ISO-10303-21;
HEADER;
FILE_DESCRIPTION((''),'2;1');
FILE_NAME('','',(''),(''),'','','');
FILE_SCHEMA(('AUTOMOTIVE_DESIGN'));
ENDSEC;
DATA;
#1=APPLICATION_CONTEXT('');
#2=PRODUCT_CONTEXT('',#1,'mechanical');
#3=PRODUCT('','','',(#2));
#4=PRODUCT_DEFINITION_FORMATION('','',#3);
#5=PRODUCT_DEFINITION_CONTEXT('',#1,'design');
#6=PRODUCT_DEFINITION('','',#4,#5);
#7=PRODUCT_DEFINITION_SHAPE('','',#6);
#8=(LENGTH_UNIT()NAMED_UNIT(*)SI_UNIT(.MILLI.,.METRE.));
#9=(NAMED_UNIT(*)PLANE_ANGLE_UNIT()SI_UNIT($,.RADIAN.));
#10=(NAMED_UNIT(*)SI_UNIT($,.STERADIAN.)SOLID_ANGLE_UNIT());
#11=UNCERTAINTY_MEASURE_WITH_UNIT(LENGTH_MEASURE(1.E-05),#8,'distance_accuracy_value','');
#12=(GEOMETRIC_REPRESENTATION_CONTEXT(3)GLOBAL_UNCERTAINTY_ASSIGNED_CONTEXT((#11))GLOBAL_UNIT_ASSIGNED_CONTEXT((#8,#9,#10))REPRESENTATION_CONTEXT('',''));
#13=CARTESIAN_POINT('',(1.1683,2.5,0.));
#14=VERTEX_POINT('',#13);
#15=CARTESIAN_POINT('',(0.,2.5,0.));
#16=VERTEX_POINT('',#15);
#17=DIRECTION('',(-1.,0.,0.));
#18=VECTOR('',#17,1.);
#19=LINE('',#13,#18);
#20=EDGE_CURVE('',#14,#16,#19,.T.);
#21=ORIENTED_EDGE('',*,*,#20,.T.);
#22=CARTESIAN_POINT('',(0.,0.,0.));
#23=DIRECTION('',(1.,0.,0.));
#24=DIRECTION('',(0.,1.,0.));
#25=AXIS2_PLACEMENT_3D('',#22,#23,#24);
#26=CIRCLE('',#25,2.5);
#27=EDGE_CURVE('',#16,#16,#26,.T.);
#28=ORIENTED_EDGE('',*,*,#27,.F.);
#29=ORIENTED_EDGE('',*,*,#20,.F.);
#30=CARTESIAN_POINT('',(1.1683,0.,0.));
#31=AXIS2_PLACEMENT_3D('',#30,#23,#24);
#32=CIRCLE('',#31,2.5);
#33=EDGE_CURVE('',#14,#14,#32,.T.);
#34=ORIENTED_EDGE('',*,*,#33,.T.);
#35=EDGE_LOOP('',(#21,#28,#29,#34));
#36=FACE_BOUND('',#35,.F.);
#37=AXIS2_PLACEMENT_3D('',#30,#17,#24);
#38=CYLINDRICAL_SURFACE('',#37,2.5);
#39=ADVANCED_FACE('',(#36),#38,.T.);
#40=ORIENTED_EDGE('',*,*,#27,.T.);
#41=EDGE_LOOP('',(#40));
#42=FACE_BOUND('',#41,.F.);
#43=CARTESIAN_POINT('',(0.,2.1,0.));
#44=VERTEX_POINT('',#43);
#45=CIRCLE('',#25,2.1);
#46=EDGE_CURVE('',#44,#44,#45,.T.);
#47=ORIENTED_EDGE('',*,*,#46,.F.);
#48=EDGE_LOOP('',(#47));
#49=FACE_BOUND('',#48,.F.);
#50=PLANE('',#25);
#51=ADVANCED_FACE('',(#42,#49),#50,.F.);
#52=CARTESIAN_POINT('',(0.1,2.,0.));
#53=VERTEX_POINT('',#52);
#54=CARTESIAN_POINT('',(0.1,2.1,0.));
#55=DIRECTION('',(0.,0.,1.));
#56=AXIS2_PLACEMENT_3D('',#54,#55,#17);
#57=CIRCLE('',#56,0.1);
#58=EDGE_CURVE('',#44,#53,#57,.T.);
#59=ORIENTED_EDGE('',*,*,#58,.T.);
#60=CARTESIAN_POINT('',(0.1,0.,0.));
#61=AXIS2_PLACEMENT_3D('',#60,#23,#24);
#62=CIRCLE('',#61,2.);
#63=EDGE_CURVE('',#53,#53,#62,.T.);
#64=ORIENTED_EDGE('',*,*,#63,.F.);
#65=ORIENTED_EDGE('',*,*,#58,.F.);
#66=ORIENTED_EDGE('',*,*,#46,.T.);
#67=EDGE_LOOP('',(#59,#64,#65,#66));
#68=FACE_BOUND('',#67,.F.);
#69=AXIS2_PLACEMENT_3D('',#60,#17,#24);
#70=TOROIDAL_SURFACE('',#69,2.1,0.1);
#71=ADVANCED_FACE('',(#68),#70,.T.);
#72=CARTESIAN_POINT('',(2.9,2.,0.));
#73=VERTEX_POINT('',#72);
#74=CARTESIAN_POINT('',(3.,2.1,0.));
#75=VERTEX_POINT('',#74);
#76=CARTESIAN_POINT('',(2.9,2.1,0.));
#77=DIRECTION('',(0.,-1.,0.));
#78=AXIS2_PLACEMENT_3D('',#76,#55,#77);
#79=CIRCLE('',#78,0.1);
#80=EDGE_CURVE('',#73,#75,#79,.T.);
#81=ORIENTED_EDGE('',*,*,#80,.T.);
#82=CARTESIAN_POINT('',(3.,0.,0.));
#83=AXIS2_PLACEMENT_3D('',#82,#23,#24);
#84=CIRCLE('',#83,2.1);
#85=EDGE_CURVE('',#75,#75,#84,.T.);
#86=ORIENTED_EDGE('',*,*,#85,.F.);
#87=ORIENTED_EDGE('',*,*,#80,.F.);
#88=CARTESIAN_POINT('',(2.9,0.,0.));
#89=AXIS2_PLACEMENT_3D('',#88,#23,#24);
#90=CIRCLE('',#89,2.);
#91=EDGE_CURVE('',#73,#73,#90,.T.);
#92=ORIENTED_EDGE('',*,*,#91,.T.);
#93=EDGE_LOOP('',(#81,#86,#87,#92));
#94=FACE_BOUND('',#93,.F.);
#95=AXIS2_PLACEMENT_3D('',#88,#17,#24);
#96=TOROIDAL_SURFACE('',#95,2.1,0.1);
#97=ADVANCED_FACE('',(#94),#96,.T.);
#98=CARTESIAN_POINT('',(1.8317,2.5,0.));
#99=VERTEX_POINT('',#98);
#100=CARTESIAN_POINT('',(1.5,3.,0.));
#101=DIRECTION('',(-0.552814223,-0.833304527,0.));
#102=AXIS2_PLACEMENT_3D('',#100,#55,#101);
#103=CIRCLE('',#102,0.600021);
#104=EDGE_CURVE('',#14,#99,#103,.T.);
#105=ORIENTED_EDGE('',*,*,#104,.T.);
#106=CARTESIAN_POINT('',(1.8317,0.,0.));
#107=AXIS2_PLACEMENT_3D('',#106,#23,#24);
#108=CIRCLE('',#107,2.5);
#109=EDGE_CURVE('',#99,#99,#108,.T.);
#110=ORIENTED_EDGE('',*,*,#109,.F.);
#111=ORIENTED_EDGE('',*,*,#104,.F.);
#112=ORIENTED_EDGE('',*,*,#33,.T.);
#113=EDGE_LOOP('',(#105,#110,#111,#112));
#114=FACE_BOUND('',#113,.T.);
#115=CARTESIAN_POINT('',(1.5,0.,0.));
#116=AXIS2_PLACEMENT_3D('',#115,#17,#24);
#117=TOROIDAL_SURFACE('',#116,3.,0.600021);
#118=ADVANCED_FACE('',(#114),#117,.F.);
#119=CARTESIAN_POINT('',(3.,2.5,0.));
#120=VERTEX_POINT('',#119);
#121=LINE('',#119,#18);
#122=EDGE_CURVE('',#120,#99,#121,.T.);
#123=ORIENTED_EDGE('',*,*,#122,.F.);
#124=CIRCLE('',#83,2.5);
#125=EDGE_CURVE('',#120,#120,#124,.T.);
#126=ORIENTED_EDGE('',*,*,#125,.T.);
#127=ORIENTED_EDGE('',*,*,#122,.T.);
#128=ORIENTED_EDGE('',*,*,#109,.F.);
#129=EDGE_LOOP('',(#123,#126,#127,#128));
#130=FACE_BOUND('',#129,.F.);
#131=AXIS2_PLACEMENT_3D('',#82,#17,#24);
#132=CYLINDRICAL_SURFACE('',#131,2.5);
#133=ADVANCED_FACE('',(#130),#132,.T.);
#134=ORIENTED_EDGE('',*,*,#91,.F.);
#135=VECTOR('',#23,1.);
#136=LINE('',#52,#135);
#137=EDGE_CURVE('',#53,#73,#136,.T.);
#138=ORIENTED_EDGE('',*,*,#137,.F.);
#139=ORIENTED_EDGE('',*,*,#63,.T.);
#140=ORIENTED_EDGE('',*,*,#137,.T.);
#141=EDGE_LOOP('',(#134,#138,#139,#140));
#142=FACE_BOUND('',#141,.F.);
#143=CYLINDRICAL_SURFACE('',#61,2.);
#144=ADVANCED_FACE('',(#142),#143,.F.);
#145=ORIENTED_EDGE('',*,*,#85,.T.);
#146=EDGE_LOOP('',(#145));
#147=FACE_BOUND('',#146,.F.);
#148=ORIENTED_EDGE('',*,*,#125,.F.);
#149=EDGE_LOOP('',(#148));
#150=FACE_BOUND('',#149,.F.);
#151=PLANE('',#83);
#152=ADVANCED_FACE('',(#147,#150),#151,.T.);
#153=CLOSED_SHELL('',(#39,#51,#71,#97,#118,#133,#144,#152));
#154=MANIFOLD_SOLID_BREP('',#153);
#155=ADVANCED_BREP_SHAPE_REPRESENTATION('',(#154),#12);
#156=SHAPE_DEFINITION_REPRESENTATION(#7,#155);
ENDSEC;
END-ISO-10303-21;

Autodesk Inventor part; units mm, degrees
sketch "Sketch_1" plane through (0, 0, 0) normal (0, 0, 1) x (1, 0, 0)
  line L0 (3, 0) -> (0, 0)
  arc A0 (0, 2.1) -> (0.1, 2) centre (0.1, 2.1) ccw
  line L1 (0.1, 2) -> (2.9, 2)
  arc A1 (2.9, 2) -> (3, 2.1) centre (2.9, 2.1) ccw
  line L2 (3, 2.1) -> (3, 2.5)
  line L3 (3, 2.5) -> (1.8317, 2.5)
  arc A2 (1.1683, 2.5) -> (1.8317, 2.5) centre (1.5, 3) ccw
  line L4 (1.1683, 2.5) -> (0, 2.5)
  line L5 (0, 2.5) -> (0, 2.1)
revolve "Revolution1" add sketch "Sketch_1" angle 360 about axis through (3, 0, 0) along (1, 0, 0)
ref_plane "ip_st_1_1_XY" through (1.5, 3, 0) normal (1, 0, 0) x (0, 0, -1)
ref_plane "ip_st_1_1_YZ" through (1.5, 3, 0) normal (0, 0, -1) x (0, 1, 0)
ref_plane "ip_st_1_1_ZX" through (1.5, 3, 0) normal (0, 1, 0) x (1, 0, 0)
ref_plane "ip_st_1_10_XY" through (1.5, 0, -3) normal (1, 0, 0) x (0, 0, -1)
ref_plane "ip_st_1_10_YZ" through (1.5, 0, -3) normal (0, 0, -1) x (0, 1, 0)
ref_plane "ip_st_1_10_ZX" through (1.5, 0, -3) normal (0, 1, 0) x (1, 0, 0)
ref_plane "ip_st_1_11_XY" through (1.5, 1.5, -2.5981) normal (1, 0, 0) x (0, 0, -1)
ref_plane "ip_st_1_11_YZ" through (1.5, 1.5, -2.5981) normal (0, 0, -1) x (0, 1, 0)
ref_plane "ip_st_1_11_ZX" through (1.5, 1.5, -2.5981) normal (0, 1, 0) x (1, 0, 0)
ref_plane "ip_st_1_12_XY" through (1.5, 2.5981, -1.5) normal (1, 0, 0) x (0, 0, -1)
ref_plane "ip_st_1_12_YZ" through (1.5, 2.5981, -1.5) normal (0, 0, -1) x (0, 1, 0)
ref_plane "ip_st_1_12_ZX" through (1.5, 2.5981, -1.5) normal (0, 1, 0) x (1, 0, 0)
ref_plane "ip_st_1_2_XY" through (1.5, 2.5981, 1.5) normal (1, 0, 0) x (0, 0, -1)
ref_plane "ip_st_1_2_YZ" through (1.5, 2.5981, 1.5) normal (0, 0, -1) x (0, 1, 0)
ref_plane "ip_st_1_2_ZX" through (1.5, 2.5981, 1.5) normal (0, 1, 0) x (1, 0, 0)
ref_plane "ip_st_1_3_XY" through (1.5, 1.5, 2.5981) normal (1, 0, 0) x (0, 0, -1)
ref_plane "ip_st_1_3_YZ" through (1.5, 1.5, 2.5981) normal (0, 0, -1) x (0, 1, 0)
ref_plane "ip_st_1_3_ZX" through (1.5, 1.5, 2.5981) normal (0, 1, 0) x (1, 0, 0)
ref_plane "ip_st_1_4_XY" through (1.5, 0, 3) normal (1, 0, 0) x (0, 0, -1)
ref_plane "ip_st_1_4_YZ" through (1.5, 0, 3) normal (0, 0, -1) x (0, 1, 0)
ref_plane "ip_st_1_4_ZX" through (1.5, 0, 3) normal (0, 1, 0) x (1, 0, 0)
ref_plane "ip_st_1_5_XY" through (1.5, -1.5, 2.5981) normal (1, 0, 0) x (0, 0, -1)
ref_plane "ip_st_1_5_YZ" through (1.5, -1.5, 2.5981) normal (0, 0, -1) x (0, 1, 0)
ref_plane "ip_st_1_5_ZX" through (1.5, -1.5, 2.5981) normal (0, 1, 0) x (1, 0, 0)
ref_plane "ip_st_1_6_XY" through (1.5, -2.5981, 1.5) normal (1, 0, 0) x (0, 0, -1)
ref_plane "ip_st_1_6_YZ" through (1.5, -2.5981, 1.5) normal (0, 0, -1) x (0, 1, 0)
ref_plane "ip_st_1_6_ZX" through (1.5, -2.5981, 1.5) normal (0, 1, 0) x (1, 0, 0)
ref_plane "ip_st_1_7_XY" through (1.5, -3, 0) normal (1, 0, 0) x (0, 0, -1)
ref_plane "ip_st_1_7_YZ" through (1.5, -3, 0) normal (0, 0, -1) x (0, 1, 0)
ref_plane "ip_st_1_7_ZX" through (1.5, -3, 0) normal (0, 1, 0) x (1, 0, 0)
ref_plane "ip_st_1_8_XY" through (1.5, -2.5981, -1.5) normal (1, 0, 0) x (0, 0, -1)
ref_plane "ip_st_1_8_YZ" through (1.5, -2.5981, -1.5) normal (0, 0, -1) x (0, 1, 0)
ref_plane "ip_st_1_8_ZX" through (1.5, -2.5981, -1.5) normal (0, 1, 0) x (1, 0, 0)
ref_plane "ip_st_1_9_XY" through (1.5, -1.5, -2.5981) normal (1, 0, 0) x (0, 0, -1)
ref_plane "ip_st_1_9_YZ" through (1.5, -1.5, -2.5981) normal (0, 0, -1) x (0, 1, 0)
ref_plane "ip_st_1_9_ZX" through (1.5, -1.5, -2.5981) normal (0, 1, 0) x (1, 0, 0)
ref_plane "ip_st_1a_XY" through (0, 0, 0) normal (1, 0, 0) x (0, 0, -1)
ref_plane "ip_st_1a_YZ" through (0, 0, 0) normal (0, 0, -1) x (0, 1, 0)
ref_plane "ip_st_1a_ZX" through (0, 0, 0) normal (0, 1, 0) x (1, 0, 0)
ref_plane "ip_st_2a_XY" through (0.1875, 0, 0) normal (1, 0, 0) x (0, 0, -1)
ref_plane "ip_st_2a_YZ" through (0.1875, 0, 0) normal (0, 0, -1) x (0, 1, 0)
ref_plane "ip_st_2a_ZX" through (0.1875, 0, 0) normal (0, 1, 0) x (1, 0, 0)
properties part number "MF84ZZ Inner Ring"
